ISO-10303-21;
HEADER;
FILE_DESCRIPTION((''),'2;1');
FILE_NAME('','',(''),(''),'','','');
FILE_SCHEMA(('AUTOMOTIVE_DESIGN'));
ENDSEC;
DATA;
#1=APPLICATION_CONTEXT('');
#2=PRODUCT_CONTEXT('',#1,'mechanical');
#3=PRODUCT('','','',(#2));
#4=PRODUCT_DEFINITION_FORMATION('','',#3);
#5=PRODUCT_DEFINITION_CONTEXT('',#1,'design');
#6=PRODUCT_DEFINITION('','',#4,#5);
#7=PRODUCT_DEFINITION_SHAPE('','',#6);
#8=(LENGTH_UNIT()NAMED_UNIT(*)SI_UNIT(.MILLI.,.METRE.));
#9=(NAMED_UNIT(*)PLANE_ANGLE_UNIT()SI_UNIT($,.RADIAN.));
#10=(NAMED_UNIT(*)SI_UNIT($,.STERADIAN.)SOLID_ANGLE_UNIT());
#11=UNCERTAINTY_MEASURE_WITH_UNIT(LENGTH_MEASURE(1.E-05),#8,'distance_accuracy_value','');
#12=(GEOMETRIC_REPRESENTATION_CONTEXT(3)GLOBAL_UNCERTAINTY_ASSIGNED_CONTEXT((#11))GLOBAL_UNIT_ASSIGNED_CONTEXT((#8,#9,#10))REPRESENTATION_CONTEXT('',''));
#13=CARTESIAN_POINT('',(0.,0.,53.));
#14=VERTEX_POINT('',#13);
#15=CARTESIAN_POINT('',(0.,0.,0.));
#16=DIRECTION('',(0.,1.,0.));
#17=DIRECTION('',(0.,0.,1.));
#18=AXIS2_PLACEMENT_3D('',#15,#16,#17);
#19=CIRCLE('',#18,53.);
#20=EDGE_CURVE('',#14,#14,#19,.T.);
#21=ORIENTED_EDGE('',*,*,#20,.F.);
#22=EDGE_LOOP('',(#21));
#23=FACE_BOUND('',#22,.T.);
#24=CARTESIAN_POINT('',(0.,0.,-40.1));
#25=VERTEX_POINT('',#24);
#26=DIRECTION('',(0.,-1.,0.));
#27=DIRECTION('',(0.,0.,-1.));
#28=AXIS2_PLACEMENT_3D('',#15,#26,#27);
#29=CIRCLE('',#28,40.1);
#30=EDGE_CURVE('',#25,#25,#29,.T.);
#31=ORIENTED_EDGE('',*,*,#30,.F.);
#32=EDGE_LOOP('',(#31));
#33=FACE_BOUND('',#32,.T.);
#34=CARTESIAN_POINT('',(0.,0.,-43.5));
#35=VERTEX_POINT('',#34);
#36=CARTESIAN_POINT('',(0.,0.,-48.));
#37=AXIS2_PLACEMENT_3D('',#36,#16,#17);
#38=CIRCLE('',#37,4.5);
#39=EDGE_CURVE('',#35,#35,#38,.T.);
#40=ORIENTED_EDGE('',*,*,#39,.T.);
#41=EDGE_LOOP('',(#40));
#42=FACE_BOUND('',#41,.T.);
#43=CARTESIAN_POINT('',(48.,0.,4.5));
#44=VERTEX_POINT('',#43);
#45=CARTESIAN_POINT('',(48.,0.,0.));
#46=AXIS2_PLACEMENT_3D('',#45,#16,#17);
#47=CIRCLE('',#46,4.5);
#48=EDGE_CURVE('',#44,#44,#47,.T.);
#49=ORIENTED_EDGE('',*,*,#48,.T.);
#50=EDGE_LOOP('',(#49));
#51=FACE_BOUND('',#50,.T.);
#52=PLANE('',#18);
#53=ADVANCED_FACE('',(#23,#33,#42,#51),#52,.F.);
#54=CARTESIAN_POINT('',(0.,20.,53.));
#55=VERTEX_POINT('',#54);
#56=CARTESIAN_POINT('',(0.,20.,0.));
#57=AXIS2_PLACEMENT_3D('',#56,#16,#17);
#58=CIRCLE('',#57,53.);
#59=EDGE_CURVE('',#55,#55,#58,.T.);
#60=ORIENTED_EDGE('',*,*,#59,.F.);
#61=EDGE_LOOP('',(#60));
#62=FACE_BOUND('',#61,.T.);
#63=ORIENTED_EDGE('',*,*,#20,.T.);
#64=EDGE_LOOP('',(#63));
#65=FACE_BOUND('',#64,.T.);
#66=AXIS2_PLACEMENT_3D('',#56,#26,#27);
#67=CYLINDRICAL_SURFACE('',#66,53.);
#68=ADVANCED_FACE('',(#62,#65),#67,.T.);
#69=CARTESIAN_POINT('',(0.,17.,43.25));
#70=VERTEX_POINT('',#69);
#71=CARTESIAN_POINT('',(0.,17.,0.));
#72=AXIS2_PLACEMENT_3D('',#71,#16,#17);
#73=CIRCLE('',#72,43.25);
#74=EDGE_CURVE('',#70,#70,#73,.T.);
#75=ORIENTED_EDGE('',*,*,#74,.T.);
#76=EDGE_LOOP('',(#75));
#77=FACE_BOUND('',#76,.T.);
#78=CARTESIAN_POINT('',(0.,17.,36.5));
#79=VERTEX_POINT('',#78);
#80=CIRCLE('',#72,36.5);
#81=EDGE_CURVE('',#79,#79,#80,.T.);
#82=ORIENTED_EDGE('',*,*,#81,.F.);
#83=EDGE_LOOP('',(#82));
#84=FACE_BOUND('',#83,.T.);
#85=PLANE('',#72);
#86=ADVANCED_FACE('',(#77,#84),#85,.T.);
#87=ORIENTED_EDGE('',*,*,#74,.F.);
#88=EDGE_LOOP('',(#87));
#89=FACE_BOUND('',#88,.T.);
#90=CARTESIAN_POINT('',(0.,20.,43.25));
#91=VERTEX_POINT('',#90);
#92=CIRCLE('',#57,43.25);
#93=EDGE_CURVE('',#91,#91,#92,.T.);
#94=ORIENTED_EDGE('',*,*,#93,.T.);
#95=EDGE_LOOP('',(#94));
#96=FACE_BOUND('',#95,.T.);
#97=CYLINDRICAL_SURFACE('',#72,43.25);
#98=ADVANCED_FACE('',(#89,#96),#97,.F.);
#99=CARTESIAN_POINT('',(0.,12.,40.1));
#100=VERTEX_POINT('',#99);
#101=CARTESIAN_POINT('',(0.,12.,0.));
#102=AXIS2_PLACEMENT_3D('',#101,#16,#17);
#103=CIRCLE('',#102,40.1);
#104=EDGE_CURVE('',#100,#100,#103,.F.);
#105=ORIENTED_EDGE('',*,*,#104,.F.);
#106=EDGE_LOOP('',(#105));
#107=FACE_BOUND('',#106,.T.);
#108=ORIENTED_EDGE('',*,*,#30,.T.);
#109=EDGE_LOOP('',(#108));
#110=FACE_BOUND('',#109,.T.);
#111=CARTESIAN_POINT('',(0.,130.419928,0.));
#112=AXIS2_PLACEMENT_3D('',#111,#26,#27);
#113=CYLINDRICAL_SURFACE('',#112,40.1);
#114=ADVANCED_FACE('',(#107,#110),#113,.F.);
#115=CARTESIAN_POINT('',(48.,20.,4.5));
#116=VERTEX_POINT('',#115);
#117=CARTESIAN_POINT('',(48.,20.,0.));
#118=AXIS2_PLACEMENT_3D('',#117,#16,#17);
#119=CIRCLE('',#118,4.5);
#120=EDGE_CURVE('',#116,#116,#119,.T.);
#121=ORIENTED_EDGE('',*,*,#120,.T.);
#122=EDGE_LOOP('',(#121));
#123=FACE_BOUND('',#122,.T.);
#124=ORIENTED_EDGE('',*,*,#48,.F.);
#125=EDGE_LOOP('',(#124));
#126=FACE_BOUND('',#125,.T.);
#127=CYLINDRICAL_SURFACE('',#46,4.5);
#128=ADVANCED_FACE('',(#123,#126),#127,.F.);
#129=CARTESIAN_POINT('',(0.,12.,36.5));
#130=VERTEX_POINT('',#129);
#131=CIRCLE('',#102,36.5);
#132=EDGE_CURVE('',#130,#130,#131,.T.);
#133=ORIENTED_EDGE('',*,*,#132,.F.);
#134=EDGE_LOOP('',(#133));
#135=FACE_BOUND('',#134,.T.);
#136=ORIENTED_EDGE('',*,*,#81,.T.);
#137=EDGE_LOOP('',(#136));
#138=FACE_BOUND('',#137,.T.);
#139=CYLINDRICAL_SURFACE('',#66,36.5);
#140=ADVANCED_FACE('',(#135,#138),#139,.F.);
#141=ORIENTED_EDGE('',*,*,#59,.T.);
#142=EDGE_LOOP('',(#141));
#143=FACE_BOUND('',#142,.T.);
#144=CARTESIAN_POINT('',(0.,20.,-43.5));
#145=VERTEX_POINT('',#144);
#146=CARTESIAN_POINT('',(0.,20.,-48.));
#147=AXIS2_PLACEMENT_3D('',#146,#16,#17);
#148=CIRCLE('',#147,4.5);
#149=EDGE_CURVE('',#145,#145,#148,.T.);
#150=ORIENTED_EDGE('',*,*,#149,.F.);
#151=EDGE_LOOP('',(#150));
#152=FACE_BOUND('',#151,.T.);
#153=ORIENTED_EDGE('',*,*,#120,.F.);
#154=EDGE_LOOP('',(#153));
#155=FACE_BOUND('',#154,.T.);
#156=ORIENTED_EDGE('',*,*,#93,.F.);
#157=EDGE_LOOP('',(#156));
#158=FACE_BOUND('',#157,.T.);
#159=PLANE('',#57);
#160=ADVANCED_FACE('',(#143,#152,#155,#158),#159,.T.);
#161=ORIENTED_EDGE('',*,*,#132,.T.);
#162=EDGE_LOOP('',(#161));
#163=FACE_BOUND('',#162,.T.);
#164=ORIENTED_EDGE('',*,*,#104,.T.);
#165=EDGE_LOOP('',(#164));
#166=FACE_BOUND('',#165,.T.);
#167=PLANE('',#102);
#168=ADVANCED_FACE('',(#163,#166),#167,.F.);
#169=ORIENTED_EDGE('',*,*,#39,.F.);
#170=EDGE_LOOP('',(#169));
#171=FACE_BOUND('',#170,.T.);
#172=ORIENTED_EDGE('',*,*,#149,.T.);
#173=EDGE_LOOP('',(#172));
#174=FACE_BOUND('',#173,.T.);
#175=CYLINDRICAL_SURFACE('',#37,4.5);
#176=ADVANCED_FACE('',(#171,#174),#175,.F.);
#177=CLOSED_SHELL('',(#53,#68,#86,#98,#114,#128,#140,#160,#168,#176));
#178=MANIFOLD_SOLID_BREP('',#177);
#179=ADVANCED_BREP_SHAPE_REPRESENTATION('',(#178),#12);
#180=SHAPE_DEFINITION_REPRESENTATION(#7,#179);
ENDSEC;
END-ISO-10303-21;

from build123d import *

# Parameters (mm, degrees)
SKETCH1_R           = 53
SKETCH1_R_2         = 36.5
BOSS_EXTRUDE1_DEPTH = 20
SKETCH2_R           = 43.25
LED_RING_DEPTH      = 3
SKETCH3_R           = 40.1
SPINDLE_DEPTH       = 12
SKETCH4_R           = 4.5
LASERS_DEPTH        = 21


with BuildPart() as part:
    # Sketch1 → Boss-Extrude1 (new body)
    with BuildSketch(Plane(origin=(0, 0, 0), x_dir=(1, 0, 0), z_dir=(0, 1, 0))):
        Circle(SKETCH1_R)
        Circle(SKETCH1_R_2, mode=Mode.SUBTRACT)
    extrude(amount=BOSS_EXTRUDE1_DEPTH)

    # Sketch2 → LED-ring (cut)
    with BuildSketch(Plane(origin=(0, 20, 0), x_dir=(1, 0, 0), z_dir=(0, 1, 0))):
        Circle(SKETCH2_R)
    extrude(amount=-LED_RING_DEPTH, mode=Mode.SUBTRACT)

    # Sketch3 → spindle (cut)
    with BuildSketch(Plane.XZ):
        Circle(SKETCH3_R)
    extrude(amount=-SPINDLE_DEPTH, mode=Mode.SUBTRACT)

    # Sketch4 → lasers (cut, through all)
    with BuildSketch(Plane(origin=(0, 20, 0), x_dir=(1, 0, 0), z_dir=(0, 1, 0))):
        with Locations((0, 48)):
            Circle(SKETCH4_R)
        with Locations((48, 0)):
            Circle(SKETCH4_R)
    extrude(amount=-LASERS_DEPTH, mode=Mode.SUBTRACT)


solid = part.part
